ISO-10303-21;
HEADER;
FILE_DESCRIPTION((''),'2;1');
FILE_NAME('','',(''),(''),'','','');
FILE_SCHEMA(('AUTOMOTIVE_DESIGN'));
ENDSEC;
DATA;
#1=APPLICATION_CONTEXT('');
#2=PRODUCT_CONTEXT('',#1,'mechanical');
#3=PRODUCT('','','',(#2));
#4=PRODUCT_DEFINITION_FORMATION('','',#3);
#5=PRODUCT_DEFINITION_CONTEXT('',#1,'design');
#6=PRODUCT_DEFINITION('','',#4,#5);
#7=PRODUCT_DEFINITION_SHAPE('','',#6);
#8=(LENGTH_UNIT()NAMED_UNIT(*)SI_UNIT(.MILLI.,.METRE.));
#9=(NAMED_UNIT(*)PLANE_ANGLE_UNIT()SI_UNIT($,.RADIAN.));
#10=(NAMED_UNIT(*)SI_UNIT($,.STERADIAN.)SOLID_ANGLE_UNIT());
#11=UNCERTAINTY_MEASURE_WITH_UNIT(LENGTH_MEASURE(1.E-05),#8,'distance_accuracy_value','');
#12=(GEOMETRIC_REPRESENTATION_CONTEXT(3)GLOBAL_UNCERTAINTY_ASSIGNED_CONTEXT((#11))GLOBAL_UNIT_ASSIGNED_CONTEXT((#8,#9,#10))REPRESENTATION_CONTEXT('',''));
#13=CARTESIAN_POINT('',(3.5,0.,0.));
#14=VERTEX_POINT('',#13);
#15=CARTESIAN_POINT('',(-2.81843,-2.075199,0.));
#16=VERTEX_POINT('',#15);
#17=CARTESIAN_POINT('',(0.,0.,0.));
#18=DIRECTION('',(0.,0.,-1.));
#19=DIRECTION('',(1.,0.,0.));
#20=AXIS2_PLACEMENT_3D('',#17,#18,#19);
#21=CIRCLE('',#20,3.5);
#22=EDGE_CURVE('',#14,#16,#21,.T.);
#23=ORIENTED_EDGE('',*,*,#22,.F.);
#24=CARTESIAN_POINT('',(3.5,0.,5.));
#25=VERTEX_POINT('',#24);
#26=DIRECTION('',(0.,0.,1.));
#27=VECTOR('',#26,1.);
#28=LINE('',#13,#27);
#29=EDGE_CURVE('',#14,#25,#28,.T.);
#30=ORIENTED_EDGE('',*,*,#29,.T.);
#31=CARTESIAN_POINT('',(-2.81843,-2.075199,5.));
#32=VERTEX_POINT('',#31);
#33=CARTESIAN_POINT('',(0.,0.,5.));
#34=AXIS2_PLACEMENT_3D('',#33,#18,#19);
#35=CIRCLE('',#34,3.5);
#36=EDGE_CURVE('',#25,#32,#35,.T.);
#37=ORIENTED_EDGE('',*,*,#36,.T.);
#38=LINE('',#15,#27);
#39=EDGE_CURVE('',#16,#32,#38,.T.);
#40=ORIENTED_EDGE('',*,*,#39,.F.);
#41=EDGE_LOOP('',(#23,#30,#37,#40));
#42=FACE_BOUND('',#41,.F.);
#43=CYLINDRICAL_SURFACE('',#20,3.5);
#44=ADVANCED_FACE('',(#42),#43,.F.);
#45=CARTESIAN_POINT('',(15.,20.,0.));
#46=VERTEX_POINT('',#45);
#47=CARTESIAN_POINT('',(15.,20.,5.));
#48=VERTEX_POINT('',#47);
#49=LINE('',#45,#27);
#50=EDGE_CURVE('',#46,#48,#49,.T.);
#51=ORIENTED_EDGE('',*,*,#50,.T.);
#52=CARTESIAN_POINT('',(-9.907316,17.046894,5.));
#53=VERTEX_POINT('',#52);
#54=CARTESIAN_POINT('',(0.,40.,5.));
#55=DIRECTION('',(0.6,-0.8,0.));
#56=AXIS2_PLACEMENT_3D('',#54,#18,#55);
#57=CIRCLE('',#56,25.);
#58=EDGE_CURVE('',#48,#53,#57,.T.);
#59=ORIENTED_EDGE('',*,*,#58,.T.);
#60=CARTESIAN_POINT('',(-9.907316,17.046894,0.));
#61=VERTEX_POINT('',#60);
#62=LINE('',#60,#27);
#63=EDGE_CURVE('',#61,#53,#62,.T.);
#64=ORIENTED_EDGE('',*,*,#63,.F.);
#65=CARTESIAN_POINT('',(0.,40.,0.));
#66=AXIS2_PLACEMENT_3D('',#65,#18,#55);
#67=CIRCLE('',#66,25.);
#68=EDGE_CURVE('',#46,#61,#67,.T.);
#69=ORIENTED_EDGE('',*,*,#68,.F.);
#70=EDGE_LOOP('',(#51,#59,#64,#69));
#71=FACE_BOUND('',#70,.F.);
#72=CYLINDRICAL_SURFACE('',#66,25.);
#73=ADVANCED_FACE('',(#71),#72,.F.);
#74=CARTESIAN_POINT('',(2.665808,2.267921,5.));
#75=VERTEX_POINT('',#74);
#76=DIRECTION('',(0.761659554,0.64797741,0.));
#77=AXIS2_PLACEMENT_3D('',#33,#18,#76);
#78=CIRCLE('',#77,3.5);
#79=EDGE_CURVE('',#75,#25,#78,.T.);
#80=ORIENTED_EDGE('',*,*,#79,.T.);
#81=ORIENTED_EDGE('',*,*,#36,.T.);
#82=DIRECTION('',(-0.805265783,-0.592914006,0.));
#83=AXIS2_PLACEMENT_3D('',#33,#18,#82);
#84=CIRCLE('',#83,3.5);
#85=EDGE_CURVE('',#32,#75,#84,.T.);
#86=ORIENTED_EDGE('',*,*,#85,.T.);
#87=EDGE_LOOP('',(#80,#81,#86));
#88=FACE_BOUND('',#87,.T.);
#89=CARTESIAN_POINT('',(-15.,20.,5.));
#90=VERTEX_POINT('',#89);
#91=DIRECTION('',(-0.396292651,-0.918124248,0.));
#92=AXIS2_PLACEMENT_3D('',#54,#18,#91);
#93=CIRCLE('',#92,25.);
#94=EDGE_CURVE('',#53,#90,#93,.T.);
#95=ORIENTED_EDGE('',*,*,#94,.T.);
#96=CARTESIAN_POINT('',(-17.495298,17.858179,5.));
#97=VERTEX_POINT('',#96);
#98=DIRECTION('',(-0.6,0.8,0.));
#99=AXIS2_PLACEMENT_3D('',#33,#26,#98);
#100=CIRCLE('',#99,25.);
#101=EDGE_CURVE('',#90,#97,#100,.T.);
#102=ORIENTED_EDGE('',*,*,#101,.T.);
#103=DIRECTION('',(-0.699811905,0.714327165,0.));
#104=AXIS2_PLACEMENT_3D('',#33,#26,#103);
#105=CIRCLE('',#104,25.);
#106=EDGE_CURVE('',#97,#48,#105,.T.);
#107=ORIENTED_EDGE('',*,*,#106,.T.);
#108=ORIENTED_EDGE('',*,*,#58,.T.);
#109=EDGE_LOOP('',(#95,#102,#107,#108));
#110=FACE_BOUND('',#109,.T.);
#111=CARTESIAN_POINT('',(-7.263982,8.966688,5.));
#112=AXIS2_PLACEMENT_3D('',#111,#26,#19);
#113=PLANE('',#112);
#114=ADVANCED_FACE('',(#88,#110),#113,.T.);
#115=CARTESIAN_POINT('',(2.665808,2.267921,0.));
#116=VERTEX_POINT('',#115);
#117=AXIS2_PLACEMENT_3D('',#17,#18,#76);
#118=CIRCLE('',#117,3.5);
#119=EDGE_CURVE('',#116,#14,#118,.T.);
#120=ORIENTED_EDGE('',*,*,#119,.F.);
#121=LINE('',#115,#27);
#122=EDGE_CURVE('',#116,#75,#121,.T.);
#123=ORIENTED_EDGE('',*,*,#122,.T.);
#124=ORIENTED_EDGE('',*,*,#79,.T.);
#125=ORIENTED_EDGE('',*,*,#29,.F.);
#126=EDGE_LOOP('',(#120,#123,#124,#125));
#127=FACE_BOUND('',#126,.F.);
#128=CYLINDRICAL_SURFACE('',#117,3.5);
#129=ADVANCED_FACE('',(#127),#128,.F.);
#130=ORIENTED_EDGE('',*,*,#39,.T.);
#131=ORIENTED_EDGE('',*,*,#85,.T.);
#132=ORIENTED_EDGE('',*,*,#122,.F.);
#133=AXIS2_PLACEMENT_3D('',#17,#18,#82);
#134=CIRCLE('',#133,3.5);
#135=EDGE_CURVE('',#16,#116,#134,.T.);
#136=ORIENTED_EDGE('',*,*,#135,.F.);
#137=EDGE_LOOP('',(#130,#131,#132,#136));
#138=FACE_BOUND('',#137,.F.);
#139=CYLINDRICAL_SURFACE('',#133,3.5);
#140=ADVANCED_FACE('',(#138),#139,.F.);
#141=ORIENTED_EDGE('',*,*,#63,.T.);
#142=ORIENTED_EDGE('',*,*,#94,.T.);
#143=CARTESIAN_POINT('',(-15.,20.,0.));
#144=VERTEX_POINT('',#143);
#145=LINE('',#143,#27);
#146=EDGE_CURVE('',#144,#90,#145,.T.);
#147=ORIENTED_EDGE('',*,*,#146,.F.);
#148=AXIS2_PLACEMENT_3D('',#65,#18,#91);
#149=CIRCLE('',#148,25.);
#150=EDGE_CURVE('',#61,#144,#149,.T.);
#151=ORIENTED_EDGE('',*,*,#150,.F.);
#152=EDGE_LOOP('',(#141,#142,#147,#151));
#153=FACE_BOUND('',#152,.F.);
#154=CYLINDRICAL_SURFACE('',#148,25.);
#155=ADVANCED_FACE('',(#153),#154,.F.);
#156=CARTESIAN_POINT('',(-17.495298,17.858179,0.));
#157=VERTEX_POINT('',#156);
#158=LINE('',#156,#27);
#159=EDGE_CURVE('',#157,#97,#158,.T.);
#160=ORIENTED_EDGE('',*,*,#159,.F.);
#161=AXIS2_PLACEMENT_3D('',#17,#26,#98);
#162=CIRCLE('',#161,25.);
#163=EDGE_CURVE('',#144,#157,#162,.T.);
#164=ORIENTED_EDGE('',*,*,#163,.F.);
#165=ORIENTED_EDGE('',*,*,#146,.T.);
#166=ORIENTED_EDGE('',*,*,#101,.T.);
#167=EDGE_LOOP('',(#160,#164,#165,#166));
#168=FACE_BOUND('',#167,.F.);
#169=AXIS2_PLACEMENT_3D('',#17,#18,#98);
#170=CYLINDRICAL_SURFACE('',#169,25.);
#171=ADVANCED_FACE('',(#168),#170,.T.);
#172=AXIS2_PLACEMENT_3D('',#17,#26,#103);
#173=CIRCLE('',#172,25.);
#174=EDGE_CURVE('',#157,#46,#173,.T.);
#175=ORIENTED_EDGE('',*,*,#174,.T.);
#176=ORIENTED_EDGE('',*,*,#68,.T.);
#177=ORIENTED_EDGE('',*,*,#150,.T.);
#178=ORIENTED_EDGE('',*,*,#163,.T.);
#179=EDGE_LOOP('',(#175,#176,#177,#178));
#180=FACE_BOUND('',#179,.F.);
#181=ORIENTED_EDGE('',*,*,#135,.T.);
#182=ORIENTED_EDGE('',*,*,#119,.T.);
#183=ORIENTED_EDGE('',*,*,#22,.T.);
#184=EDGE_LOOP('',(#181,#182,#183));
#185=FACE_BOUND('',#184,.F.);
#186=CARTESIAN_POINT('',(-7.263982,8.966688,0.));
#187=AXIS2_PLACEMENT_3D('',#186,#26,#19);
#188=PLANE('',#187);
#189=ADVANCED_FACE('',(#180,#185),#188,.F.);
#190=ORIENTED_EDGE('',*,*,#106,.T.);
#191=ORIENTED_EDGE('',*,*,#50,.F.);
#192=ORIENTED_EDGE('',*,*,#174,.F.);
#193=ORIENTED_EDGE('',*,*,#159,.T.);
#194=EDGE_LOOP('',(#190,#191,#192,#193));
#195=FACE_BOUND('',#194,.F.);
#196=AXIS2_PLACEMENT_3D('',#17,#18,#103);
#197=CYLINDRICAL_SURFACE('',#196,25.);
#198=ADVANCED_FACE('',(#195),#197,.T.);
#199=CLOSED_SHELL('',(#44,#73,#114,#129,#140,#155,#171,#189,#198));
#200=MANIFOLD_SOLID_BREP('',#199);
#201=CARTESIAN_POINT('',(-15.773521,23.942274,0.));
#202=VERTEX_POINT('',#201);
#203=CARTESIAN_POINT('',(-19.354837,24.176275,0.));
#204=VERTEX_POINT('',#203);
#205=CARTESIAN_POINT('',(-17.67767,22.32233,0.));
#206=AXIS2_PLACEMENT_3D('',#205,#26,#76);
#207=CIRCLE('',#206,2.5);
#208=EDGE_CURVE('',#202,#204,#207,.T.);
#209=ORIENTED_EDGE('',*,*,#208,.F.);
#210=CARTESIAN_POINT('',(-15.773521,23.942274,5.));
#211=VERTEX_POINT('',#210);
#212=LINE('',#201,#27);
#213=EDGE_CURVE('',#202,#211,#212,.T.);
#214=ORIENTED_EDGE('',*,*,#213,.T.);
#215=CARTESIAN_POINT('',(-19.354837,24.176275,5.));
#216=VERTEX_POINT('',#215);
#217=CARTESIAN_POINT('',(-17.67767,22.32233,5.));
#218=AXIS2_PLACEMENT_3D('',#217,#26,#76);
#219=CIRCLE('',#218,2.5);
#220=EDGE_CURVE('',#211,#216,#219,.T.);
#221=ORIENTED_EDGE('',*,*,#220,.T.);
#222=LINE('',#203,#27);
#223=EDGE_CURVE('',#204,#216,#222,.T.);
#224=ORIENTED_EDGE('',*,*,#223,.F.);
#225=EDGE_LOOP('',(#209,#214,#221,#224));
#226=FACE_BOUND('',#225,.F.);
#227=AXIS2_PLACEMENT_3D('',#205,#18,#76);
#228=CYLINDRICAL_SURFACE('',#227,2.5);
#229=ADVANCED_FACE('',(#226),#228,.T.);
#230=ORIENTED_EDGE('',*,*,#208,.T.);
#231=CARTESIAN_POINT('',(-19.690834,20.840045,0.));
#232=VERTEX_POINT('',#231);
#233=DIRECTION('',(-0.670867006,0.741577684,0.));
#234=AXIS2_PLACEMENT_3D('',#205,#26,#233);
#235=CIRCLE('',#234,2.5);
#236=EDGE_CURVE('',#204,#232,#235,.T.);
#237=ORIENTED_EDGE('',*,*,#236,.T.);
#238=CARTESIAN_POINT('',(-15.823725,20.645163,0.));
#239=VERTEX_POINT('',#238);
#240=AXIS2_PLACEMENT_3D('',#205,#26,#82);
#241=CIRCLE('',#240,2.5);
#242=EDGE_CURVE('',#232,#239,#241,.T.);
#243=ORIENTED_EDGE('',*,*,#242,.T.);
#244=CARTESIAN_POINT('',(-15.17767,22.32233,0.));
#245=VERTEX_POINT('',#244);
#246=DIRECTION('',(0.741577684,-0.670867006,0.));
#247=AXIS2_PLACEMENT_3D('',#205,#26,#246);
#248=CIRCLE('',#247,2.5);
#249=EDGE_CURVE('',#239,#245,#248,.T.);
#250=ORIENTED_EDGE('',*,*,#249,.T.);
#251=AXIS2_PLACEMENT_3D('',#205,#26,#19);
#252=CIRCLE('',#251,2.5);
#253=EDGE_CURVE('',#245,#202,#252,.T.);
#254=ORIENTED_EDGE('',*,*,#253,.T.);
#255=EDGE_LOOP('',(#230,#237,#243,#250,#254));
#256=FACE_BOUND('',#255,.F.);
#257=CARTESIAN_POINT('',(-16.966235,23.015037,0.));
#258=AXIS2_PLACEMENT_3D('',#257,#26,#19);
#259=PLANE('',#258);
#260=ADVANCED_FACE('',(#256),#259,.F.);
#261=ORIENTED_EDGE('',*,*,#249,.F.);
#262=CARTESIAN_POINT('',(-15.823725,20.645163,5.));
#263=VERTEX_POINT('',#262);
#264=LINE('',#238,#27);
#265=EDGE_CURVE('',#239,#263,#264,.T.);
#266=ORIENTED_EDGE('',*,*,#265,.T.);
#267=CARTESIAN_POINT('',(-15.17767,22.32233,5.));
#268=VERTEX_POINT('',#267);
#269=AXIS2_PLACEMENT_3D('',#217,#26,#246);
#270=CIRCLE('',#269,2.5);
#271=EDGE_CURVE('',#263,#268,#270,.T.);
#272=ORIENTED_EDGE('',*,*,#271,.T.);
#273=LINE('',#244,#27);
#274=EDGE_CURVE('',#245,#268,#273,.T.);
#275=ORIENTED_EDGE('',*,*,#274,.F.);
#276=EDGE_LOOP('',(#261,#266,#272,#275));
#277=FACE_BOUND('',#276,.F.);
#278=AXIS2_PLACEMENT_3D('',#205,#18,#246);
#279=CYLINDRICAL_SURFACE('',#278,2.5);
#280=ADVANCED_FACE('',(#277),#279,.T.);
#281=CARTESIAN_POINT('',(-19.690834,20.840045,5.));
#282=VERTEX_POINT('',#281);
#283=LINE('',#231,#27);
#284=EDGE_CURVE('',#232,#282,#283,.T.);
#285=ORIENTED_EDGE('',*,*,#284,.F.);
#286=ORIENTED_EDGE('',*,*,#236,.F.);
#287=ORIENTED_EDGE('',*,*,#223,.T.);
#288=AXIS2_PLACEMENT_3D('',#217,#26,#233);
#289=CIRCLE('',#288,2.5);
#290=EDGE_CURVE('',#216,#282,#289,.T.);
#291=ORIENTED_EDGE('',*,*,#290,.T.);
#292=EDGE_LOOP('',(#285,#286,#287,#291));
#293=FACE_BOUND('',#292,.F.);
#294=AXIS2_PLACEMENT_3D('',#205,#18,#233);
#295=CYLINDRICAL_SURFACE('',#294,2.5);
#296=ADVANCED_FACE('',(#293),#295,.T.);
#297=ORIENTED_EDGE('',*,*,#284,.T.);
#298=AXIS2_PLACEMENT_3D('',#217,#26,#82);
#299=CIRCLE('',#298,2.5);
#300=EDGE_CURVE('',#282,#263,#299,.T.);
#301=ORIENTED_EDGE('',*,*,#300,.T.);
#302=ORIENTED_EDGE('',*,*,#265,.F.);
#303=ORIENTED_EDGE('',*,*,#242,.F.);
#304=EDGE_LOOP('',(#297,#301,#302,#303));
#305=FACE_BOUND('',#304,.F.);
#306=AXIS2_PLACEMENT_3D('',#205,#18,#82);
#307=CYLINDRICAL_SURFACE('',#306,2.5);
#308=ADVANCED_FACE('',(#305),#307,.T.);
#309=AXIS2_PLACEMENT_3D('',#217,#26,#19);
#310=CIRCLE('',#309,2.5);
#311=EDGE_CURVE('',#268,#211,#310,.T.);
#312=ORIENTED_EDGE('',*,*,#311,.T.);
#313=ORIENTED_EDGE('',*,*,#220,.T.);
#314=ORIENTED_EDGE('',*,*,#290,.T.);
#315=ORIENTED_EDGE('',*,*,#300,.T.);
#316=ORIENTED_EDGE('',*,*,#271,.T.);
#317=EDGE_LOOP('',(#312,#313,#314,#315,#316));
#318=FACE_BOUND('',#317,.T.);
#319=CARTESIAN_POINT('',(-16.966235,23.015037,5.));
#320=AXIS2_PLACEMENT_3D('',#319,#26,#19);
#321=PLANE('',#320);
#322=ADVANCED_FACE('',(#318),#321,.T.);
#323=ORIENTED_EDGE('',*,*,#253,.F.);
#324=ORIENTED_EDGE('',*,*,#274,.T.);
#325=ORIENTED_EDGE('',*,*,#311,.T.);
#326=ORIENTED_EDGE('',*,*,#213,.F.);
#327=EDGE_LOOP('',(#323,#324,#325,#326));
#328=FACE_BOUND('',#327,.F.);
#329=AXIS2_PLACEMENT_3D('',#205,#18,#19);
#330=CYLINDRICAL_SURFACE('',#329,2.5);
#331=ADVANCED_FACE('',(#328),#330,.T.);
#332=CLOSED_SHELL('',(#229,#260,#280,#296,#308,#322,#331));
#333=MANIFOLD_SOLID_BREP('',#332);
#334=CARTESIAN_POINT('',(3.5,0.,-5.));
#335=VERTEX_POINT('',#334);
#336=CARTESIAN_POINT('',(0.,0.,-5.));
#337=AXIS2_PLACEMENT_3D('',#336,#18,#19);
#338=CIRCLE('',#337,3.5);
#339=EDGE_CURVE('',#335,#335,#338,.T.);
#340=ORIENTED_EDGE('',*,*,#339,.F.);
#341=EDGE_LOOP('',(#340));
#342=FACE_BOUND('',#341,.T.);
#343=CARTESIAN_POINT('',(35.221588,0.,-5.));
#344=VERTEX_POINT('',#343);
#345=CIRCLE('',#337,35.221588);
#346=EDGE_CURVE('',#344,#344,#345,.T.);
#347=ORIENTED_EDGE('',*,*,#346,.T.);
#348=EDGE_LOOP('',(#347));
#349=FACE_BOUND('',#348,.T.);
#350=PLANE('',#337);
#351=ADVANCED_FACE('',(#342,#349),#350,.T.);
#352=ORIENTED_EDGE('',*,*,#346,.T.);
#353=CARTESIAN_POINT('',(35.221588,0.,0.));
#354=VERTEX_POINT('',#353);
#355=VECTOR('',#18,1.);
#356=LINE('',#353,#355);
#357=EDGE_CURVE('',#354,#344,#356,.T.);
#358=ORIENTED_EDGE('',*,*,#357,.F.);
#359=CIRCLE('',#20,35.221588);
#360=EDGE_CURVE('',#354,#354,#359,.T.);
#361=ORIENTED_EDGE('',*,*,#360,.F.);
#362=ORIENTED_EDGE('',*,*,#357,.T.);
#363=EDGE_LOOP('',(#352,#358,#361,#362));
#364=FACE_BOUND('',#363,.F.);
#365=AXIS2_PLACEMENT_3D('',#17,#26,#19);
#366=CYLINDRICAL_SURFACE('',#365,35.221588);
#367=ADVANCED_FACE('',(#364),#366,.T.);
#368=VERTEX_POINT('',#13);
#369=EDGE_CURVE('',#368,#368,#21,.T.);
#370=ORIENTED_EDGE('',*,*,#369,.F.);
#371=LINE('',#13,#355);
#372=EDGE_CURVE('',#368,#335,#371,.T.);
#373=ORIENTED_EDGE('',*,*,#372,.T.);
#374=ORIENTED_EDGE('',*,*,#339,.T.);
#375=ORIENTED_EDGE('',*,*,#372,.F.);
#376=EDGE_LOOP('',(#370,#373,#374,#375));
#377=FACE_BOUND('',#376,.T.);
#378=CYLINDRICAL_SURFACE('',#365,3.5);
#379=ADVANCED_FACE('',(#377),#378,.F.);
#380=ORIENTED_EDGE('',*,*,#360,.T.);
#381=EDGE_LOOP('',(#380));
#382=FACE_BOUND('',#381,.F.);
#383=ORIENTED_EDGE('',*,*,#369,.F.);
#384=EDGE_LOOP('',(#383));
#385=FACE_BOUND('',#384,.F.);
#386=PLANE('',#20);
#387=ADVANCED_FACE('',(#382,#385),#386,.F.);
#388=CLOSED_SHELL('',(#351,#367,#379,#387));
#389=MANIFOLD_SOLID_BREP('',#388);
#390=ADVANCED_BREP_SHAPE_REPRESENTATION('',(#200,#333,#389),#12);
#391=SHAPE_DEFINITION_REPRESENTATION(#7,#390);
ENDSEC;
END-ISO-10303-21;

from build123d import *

# Parameters (mm, degrees)
F1_DEPTH = 5
F2_R     = 35.2215875695
F2_R_2   = 3.5
F3_DEPTH = 5


with BuildPart() as f1:
    # F0 (on Top) → F1 (new body)
    with BuildSketch(Plane.XY):
        with BuildLine():
            ThreePointArc((-9.9073162791, 17.0468938018), (-12.5408855394, 18.3730217116), (-15, 20))
            ThreePointArc((-15, 20), (-16.2829033321, 18.9701623366), (-17.4952976137, 17.8581791179))
            Line((-17.4952976137, 17.8581791179), (-2.8184302399, -2.0751990225))
            ThreePointArc((-2.8184302399, -2.0751990225), (-2.172900388, 2.7438119294), (2.6658084384, 2.2679209355))
            Line((2.6658084384, 2.2679209355), (-9.9073162791, 17.0468938018))
        make_face()
        with BuildLine():
            Line((-2.8184302399, -2.0751990225), (-17.4952976137, 17.8581791179))
            ThreePointArc((-17.4952976137, 17.8581791179), (1.6442252637, -24.9458718685), (15, 20))
            ThreePointArc((15, 20), (2.9434785416, 15.1738860456), (-9.9073162791, 17.0468938018))
            Line((-9.9073162791, 17.0468938018), (2.6658084384, 2.2679209355))
            ThreePointArc((2.6658084384, 2.2679209355), (3.2848386212, 1.2082364143), (3.5, 0))
            ThreePointArc((3.5, 0), (1.0921296078, -3.325244791), (-2.8184302399, -2.0751990225))
        make_face()
    extrude(amount=F1_DEPTH)


with BuildPart() as f1b:
    # F0 (on Top) → F1, piece 2 (new body)
    with BuildSketch(Plane.XY):
        with BuildLine():
            ThreePointArc((-19.3548370435, 24.1762746795), (-17.6776695297, 22.3223304703), (-15.8237253205, 20.6451629565))
            ThreePointArc((-15.8237253205, 20.6451629565), (-15.3447678469, 21.4236816298), (-15.1776695297, 22.3223304703))
            ThreePointArc((-15.1776695297, 22.3223304703), (-15.3313562288, 23.1853564805), (-15.7735206451, 23.9422739957))
            ThreePointArc((-15.7735206451, 23.9422739957), (-17.5146688681, 24.8170109678), (-19.3548370435, 24.1762746795))
        make_face()
        with BuildLine():
            ThreePointArc((-19.3548370435, 24.1762746795), (-20.1650866388, 22.5728421974), (-19.6908339867, 20.8400454542))
            ThreePointArc((-19.6908339867, 20.8400454542), (-17.8034970657, 19.825498992), (-15.8237253205, 20.6451629565))
            ThreePointArc((-15.8237253205, 20.6451629565), (-17.6776695297, 22.3223304703), (-19.3548370435, 24.1762746795))
        make_face()
    extrude(amount=F1_DEPTH)


with BuildPart() as f3:
    # F2 (on face) → F3 (new body)
    with BuildSketch(Plane(origin=(0, 0, 0), x_dir=(1, 0, 0), z_dir=(0, 0, -1))):
        Circle(F2_R)
        with BuildLine():
            ThreePointArc((-15, -20), (0, 25), (15, -20))
            ThreePointArc((15, -20), (0, -15), (-15, -20))
        make_face(mode=Mode.SUBTRACT)
        with BuildLine():
            ThreePointArc((-15, -20), (0, -15), (15, -20))
            ThreePointArc((15, -20), (0, 25), (-15, -20))
        make_face()
        Circle(F2_R_2, mode=Mode.SUBTRACT)
    extrude(amount=F3_DEPTH)


solid = Compound([f1.part, f1b.part, f3.part])
